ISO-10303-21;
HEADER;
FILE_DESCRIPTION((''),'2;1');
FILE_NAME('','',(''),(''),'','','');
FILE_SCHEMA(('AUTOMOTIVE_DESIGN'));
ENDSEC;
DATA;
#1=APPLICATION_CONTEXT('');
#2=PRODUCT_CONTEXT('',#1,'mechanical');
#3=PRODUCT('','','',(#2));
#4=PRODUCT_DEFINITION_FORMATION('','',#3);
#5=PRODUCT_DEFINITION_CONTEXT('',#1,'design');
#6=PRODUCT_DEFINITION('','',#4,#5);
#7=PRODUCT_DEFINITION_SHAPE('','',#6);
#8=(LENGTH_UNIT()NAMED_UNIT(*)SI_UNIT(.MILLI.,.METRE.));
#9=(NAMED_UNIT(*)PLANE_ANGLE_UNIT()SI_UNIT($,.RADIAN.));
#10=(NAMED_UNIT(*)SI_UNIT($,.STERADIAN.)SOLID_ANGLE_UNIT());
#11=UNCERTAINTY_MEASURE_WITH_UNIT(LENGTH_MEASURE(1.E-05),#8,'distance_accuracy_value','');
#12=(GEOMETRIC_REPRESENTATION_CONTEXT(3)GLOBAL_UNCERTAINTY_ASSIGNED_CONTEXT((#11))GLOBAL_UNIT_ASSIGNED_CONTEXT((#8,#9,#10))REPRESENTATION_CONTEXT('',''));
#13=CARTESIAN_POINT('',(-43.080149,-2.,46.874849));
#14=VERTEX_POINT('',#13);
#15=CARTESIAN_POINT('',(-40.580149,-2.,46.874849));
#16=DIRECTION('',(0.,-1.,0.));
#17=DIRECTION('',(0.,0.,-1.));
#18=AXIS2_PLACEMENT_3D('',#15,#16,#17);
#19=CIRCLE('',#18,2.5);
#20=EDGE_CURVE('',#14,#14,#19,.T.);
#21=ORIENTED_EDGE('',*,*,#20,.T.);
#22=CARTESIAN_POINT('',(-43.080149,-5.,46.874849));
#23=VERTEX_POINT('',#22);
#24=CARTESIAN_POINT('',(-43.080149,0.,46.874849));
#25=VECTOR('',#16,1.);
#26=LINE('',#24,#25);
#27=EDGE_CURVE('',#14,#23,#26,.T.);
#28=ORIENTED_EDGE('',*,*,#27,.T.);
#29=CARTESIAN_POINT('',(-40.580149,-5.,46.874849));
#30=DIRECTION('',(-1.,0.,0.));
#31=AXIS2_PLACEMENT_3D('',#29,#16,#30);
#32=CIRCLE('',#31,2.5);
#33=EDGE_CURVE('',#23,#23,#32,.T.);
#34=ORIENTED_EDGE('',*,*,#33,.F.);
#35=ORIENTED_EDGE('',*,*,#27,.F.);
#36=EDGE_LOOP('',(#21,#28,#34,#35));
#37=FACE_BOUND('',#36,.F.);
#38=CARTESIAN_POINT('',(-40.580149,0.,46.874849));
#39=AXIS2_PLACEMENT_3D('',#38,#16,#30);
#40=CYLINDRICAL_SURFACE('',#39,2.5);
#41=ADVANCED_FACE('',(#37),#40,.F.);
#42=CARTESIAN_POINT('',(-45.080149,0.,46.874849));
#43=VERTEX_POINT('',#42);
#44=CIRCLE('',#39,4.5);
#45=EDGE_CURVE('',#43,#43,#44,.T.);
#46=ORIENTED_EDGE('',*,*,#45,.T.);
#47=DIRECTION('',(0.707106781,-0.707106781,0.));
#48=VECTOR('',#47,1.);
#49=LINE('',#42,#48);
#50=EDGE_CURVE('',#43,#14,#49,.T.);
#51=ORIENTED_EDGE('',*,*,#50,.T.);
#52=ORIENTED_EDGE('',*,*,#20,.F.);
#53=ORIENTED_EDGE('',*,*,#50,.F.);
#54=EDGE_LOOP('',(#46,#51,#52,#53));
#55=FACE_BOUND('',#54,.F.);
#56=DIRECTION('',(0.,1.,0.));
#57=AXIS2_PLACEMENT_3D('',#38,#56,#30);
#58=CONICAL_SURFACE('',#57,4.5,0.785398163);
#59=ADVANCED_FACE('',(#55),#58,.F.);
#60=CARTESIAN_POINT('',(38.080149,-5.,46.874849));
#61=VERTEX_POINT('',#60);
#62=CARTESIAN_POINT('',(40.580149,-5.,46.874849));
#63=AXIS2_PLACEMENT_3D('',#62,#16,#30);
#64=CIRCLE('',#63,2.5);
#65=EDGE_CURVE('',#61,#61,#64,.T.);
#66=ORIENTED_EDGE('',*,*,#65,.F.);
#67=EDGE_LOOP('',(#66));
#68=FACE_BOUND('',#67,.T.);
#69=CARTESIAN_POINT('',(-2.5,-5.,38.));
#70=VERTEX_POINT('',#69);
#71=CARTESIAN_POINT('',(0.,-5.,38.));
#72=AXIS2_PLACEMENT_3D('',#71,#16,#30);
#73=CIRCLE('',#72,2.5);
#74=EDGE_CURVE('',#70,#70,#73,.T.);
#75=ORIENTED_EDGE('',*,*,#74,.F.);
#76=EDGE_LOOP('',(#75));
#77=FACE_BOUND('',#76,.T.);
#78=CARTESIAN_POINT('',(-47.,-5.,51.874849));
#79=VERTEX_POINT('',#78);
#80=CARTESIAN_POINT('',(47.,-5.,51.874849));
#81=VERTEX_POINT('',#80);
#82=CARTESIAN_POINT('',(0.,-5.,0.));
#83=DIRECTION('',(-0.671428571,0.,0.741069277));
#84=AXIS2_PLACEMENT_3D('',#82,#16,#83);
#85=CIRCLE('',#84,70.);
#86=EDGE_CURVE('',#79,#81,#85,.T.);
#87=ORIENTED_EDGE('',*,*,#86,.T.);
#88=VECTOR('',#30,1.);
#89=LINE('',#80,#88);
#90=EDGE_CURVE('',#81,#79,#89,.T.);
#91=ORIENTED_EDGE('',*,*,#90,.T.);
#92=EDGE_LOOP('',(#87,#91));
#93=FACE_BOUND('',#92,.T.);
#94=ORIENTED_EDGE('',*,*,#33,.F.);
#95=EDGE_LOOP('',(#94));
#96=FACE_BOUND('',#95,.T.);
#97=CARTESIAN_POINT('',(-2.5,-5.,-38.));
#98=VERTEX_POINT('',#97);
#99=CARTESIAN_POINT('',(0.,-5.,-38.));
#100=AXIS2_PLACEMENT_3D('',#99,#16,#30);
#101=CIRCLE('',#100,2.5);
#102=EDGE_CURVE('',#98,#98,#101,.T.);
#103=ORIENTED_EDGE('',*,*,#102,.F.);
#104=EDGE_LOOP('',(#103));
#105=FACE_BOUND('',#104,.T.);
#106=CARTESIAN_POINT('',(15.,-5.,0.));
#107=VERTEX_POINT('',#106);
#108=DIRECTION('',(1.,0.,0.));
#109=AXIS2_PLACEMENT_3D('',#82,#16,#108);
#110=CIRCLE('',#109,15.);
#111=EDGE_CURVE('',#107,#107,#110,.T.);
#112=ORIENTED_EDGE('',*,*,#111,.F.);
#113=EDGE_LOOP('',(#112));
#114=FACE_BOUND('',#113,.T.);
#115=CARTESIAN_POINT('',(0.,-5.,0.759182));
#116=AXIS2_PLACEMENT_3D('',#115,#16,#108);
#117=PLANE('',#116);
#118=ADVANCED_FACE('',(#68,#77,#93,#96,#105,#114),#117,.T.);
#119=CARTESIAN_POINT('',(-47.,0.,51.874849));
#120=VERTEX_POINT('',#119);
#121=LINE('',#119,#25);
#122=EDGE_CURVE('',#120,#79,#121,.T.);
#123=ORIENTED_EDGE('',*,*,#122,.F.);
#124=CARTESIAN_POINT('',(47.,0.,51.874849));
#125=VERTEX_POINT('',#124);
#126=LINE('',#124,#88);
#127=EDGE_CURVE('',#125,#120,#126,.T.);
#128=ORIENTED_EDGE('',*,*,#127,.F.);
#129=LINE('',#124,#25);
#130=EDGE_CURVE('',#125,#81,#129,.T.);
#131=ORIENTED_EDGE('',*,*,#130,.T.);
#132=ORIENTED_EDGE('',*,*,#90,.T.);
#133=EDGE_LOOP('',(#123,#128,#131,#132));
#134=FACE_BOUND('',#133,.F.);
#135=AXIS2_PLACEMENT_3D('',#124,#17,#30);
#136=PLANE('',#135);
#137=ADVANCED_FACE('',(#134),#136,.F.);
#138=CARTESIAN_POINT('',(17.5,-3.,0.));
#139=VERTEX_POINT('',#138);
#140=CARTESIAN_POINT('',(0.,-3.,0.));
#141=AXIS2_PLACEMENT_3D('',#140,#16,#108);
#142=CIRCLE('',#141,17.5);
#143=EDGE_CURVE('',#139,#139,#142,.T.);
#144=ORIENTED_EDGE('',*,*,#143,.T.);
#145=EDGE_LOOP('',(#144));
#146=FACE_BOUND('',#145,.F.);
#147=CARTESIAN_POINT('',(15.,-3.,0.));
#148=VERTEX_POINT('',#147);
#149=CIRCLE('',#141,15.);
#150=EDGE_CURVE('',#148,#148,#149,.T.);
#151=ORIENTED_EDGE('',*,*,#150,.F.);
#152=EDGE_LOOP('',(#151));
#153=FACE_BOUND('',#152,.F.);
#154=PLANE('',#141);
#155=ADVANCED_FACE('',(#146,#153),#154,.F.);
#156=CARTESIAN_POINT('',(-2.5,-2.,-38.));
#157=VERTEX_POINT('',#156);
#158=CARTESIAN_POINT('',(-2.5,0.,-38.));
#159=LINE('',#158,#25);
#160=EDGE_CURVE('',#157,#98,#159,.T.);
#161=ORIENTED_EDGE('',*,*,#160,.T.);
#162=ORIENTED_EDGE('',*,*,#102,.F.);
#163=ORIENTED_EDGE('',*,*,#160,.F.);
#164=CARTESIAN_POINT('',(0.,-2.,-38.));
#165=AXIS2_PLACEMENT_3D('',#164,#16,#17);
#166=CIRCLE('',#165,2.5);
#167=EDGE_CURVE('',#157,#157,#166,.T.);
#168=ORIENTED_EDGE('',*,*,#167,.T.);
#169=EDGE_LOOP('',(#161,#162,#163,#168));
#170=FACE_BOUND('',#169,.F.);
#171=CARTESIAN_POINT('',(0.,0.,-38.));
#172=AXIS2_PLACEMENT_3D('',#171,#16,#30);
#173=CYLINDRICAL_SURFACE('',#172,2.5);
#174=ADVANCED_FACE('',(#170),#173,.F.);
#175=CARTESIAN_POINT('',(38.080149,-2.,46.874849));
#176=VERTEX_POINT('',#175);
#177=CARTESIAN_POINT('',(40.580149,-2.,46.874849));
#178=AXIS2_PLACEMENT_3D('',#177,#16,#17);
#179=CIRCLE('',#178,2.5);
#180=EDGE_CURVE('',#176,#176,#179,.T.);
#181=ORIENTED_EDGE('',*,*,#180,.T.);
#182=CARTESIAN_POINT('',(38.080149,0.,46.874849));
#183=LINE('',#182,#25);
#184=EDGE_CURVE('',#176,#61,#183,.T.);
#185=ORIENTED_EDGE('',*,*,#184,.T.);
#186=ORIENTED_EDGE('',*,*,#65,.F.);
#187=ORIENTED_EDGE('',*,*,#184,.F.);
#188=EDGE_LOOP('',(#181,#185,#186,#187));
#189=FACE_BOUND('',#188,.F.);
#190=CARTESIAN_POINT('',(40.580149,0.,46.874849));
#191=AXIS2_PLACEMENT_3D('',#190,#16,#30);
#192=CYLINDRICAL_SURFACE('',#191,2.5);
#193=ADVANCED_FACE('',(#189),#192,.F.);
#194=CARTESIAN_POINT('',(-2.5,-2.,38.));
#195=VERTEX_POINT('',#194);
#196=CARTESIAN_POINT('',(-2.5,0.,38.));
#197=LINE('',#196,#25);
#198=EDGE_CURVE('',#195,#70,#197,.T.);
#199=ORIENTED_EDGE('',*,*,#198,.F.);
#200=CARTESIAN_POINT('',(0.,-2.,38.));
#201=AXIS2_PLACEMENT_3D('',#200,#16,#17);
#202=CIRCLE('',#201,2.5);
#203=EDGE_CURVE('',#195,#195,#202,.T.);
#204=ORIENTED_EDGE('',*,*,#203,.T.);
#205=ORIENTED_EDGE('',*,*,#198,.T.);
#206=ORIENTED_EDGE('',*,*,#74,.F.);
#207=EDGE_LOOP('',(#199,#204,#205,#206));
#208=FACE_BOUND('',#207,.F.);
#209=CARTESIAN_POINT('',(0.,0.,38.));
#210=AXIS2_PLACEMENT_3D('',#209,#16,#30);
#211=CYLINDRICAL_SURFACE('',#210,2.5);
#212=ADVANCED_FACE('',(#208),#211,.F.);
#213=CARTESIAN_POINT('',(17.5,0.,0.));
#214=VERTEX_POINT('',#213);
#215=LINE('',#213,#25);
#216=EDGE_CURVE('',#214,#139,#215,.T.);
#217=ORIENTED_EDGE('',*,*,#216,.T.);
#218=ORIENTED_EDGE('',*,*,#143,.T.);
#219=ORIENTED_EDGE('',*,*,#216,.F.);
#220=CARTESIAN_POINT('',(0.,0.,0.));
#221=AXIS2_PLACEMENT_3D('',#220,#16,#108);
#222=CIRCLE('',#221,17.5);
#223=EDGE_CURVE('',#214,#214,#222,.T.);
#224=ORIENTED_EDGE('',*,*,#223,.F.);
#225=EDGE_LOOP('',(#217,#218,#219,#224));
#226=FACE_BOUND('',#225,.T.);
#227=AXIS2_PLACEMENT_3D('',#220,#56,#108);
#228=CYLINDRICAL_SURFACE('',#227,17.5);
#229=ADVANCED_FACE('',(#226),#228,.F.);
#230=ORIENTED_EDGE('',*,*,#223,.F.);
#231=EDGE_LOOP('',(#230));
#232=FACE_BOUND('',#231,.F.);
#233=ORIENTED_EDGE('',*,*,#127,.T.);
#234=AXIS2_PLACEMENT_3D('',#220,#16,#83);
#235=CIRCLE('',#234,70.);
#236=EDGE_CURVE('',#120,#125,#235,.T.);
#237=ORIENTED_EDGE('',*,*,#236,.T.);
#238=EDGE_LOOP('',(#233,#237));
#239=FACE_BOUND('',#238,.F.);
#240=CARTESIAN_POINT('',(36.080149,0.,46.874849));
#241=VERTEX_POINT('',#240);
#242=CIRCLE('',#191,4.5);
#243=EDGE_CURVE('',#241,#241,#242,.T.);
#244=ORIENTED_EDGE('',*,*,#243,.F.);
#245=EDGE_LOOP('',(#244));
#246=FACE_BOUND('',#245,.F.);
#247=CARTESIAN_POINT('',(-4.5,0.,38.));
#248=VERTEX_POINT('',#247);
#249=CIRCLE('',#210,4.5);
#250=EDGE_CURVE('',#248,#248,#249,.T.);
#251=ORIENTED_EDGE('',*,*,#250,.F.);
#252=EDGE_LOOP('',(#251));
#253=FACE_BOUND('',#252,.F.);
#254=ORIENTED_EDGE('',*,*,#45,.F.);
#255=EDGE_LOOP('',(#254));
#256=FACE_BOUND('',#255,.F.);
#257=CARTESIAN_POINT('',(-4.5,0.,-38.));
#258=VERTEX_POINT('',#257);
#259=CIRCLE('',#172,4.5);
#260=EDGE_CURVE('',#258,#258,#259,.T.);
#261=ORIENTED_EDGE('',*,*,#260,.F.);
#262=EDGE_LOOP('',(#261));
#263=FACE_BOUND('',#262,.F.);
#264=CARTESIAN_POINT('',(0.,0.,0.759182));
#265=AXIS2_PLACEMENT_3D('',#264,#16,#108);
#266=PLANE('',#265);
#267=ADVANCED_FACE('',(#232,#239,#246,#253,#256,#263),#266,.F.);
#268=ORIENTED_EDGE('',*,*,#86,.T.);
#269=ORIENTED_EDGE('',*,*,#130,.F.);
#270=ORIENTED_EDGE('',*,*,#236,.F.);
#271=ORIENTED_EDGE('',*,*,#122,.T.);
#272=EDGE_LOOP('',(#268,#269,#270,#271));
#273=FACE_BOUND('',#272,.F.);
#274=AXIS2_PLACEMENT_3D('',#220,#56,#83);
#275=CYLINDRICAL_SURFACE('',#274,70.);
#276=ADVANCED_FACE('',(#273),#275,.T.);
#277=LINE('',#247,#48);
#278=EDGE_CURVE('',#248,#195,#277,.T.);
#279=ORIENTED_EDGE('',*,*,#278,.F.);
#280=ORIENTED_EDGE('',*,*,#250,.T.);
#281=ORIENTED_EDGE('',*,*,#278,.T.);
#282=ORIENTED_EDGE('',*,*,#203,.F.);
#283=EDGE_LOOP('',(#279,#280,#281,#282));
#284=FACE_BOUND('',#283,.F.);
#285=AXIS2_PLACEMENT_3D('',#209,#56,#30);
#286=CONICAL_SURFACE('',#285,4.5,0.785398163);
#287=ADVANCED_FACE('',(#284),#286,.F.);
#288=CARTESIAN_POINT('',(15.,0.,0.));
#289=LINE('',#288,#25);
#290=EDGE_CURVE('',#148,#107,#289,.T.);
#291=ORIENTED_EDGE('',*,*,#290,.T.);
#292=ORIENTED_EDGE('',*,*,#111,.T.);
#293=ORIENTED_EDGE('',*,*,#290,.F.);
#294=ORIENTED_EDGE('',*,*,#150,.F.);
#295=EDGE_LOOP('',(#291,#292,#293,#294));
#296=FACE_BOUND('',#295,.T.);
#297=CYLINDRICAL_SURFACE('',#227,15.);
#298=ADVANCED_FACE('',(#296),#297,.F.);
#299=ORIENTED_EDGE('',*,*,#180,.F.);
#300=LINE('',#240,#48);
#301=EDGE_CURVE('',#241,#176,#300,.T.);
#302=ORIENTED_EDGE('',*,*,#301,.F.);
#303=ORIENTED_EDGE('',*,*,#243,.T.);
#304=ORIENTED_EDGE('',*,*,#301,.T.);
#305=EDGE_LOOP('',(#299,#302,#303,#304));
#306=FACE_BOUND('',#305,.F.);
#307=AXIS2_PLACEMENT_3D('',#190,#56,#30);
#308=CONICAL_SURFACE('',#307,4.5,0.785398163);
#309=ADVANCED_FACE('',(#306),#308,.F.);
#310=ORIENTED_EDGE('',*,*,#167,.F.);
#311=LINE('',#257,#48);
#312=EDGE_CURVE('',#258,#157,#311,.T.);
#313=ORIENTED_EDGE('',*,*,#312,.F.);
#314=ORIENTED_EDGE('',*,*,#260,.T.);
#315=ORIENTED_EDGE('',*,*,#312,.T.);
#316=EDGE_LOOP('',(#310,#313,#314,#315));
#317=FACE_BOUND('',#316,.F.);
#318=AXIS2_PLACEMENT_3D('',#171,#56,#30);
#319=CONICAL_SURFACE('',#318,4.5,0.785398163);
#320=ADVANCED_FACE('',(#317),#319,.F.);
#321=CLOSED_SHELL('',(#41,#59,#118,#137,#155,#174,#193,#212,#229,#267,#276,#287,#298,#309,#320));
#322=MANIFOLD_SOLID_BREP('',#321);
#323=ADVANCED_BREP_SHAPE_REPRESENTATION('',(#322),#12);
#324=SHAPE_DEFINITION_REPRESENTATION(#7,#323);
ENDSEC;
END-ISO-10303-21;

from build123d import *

# Parameters (mm, degrees)
F2_R           = 2.5
F2_R_2         = 17.5
F2_R_3         = 15
F3_DEPTH       = 5
F4_DEPTH       = 3
F5_D           = 5
F5_CSINK_D     = 9
F5_CSINK_ANGLE = 90


with BuildPart() as f3:
    # F2 (on Front) → F3 (new body)
    with BuildSketch(Plane.XZ):
        with BuildLine():
            Line((47, 51.8748493974), (-47, 51.8748493974))
            ThreePointArc((-47, 51.8748493974), (0, -70), (47, 51.8748493974))
        make_face()
        with Locations((0, -38)):
            Circle(F2_R, mode=Mode.SUBTRACT)
        with Locations((-40.5801490137, 46.8748493974)):
            Circle(F2_R, mode=Mode.SUBTRACT)
        Circle(F2_R_2, mode=Mode.SUBTRACT)
        with Locations((0, 38)):
            Circle(F2_R, mode=Mode.SUBTRACT)
        with Locations((40.5801490137, 46.8748493974)):
            Circle(F2_R, mode=Mode.SUBTRACT)
        with Locations((40.5801490137, 46.8748493974)):
            Circle(F2_R)
        with Locations((0, 38)):
            Circle(F2_R)
        with Locations((-40.5801490137, 46.8748493974)):
            Circle(F2_R)
        with Locations((0, -38)):
            Circle(F2_R)
        Circle(F2_R_2)
        Circle(F2_R_3, mode=Mode.SUBTRACT)
    extrude(amount=F3_DEPTH)

    # F2 (on Front) → F4 (cut)
    with BuildSketch(Plane.XZ):
        Circle(F2_R_2)
        Circle(F2_R_3, mode=Mode.SUBTRACT)
    extrude(amount=F4_DEPTH, mode=Mode.SUBTRACT)

    # F5 (through all)
    with Locations(Plane(origin=(0, 0, 0), x_dir=(1, 0, 0), z_dir=(0, 1, 0))):
        with Locations((-40.5801490137, -46.8748493974), (0, -38), (40.5801490137, -46.8748493974), (0, 38)):
            CounterSinkHole(F5_D / 2, F5_CSINK_D / 2, counter_sink_angle=F5_CSINK_ANGLE)


solid = f3.part
